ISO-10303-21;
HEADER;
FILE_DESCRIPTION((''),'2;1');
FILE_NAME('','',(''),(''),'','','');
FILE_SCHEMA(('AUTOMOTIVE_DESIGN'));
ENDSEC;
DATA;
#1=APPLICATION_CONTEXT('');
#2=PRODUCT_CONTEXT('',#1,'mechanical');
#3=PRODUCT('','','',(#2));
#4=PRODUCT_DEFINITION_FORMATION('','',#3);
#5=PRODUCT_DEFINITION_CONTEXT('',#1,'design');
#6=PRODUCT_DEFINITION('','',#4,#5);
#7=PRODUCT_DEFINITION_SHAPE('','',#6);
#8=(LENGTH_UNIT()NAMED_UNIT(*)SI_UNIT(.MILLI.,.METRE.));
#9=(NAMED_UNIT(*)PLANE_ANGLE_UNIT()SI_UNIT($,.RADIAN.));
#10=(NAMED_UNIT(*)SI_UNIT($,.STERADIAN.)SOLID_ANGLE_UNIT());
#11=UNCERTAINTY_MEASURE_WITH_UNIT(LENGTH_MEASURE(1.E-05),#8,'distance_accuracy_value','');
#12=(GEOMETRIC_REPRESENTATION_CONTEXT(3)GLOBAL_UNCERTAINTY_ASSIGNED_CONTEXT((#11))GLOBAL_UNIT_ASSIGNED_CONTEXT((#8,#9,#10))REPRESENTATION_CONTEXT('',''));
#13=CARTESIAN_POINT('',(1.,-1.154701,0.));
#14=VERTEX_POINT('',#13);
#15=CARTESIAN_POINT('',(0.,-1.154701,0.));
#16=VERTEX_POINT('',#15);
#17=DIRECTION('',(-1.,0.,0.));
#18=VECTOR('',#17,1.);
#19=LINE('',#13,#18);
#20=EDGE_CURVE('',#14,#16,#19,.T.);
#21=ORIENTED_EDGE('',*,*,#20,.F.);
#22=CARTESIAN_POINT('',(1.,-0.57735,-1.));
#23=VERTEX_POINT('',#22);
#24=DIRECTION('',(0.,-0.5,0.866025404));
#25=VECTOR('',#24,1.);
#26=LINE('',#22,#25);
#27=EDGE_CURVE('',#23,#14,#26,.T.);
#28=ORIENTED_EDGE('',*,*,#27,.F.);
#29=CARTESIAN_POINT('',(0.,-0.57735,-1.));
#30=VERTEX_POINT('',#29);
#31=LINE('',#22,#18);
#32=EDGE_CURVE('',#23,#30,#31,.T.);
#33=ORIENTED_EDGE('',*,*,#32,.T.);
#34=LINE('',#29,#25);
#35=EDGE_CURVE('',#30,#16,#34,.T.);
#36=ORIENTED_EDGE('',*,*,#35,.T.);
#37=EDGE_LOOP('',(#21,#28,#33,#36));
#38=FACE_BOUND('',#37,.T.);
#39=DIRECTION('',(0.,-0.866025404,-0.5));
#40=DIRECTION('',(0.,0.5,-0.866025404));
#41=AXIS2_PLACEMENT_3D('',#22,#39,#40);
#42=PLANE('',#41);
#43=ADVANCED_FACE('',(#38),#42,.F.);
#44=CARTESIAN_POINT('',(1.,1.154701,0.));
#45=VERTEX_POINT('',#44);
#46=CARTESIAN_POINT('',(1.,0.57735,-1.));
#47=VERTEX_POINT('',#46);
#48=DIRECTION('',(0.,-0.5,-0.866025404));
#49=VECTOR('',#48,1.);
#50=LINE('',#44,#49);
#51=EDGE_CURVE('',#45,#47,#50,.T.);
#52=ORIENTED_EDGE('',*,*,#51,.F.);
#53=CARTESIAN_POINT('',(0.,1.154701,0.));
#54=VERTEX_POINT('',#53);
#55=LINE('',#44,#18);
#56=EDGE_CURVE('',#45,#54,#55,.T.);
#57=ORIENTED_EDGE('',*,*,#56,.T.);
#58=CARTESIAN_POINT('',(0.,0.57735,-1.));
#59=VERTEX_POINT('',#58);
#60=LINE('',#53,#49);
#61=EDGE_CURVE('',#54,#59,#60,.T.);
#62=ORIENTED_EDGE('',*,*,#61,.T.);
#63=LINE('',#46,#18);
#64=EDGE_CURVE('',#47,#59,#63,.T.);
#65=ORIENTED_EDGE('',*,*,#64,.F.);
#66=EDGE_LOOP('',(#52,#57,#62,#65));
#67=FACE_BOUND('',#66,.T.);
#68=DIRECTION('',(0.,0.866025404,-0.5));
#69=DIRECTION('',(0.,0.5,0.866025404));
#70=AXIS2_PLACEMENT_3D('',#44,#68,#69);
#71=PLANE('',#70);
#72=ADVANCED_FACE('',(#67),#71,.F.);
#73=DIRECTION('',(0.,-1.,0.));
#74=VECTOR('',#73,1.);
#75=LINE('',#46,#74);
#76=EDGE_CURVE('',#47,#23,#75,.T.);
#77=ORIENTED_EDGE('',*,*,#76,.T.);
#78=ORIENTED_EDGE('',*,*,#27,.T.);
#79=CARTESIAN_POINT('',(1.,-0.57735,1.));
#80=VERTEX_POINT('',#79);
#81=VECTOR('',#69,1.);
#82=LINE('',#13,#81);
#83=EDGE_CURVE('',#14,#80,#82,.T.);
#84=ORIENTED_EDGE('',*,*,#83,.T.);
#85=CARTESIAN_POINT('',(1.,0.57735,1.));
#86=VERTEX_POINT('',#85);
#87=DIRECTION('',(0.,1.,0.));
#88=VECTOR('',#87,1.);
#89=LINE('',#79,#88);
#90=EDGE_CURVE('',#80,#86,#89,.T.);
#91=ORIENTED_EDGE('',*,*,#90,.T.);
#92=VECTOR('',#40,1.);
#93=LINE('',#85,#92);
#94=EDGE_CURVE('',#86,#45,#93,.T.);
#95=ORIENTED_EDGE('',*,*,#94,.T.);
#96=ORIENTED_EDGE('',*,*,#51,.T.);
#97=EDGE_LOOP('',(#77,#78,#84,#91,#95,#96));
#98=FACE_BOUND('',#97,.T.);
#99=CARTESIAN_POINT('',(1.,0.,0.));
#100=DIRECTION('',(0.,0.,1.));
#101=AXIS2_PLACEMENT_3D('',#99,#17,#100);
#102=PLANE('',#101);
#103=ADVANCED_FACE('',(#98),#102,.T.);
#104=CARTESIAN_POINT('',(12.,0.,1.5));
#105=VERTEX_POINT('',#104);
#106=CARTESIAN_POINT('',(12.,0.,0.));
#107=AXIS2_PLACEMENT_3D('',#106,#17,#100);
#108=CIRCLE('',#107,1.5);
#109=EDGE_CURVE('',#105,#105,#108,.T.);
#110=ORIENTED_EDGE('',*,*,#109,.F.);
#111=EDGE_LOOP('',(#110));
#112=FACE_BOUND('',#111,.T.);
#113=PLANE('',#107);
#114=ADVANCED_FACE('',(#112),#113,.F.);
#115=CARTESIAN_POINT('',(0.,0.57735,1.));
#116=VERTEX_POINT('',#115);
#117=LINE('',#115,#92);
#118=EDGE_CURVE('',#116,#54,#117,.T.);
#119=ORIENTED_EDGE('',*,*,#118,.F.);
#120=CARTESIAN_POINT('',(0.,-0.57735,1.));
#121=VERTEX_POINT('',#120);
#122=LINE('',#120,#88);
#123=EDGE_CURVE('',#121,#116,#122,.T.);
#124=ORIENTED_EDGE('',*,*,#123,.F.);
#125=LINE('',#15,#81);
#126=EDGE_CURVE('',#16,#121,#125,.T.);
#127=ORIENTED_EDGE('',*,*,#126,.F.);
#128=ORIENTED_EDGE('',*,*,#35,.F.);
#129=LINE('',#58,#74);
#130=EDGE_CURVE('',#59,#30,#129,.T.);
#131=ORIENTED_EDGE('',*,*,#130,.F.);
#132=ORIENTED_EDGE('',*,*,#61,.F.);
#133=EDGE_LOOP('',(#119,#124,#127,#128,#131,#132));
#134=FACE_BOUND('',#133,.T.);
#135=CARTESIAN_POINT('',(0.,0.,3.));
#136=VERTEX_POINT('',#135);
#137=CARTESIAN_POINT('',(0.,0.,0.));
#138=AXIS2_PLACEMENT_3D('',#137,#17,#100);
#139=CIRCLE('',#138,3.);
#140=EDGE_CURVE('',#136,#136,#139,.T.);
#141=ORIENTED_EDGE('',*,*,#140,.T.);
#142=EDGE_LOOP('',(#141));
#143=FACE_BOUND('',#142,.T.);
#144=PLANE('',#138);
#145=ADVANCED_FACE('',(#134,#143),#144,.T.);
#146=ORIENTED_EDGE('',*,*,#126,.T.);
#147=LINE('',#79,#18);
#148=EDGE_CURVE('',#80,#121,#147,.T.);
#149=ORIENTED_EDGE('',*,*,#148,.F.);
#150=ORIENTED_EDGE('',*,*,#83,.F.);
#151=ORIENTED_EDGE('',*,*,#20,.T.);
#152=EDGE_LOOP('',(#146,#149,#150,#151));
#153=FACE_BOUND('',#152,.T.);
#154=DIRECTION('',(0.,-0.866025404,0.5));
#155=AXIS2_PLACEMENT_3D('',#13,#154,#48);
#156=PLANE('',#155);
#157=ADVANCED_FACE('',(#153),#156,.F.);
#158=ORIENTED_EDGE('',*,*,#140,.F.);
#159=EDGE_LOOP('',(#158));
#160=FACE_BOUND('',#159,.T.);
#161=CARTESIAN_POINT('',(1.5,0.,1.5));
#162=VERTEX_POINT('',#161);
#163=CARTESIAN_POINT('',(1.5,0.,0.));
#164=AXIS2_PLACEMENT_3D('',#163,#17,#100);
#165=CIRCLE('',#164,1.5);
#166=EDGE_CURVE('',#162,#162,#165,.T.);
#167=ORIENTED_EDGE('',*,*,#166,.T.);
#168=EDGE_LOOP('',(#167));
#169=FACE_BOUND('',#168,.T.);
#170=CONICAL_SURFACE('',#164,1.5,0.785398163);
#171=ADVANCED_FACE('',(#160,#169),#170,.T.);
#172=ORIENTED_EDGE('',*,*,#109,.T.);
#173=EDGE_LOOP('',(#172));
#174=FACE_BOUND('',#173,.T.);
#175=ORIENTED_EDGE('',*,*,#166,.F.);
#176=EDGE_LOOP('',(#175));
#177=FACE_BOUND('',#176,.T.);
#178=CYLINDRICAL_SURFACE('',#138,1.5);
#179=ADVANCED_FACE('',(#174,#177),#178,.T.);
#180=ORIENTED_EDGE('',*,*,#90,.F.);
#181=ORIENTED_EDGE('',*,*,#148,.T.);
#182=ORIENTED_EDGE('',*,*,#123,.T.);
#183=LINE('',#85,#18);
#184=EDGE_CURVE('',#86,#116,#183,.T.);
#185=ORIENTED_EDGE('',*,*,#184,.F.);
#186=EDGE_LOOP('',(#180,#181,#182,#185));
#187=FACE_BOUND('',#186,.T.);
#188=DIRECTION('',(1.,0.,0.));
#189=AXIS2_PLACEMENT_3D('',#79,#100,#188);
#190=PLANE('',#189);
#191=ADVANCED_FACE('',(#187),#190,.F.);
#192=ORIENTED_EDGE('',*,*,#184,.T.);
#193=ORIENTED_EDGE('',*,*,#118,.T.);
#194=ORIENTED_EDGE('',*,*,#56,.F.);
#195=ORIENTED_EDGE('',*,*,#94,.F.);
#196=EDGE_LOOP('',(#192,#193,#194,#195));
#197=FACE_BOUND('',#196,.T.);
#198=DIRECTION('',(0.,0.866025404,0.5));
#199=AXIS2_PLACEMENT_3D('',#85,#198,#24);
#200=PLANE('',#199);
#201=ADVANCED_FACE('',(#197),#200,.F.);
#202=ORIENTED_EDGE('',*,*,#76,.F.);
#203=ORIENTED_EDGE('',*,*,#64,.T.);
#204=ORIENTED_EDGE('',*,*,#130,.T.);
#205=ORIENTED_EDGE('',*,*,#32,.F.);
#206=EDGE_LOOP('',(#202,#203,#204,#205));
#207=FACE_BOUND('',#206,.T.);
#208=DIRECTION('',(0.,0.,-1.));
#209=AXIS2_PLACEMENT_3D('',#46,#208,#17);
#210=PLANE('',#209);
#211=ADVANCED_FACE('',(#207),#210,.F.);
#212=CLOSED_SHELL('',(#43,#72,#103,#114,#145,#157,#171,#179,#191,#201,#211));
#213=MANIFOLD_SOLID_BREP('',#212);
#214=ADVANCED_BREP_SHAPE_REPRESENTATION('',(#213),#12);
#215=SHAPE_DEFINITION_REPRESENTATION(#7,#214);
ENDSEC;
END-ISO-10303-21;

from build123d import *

# Parameters (mm, degrees)
CUT_EXTRUDE_1_DEPTH = 1


with BuildPart() as part:
    # 草图1 → 旋转1 (revolve)
    with BuildSketch(Plane.XY, mode=Mode.PRIVATE) as revolve_1_sk:
        Polygon((0, 0), (0, 3), (1.5, 1.5), (12, 1.5), (12, 0), align=None)
    revolve(revolve_1_sk.sketch.rotate(Axis((0, 0, 0), (1, 0, 0)), 90), axis=Axis((0, 0, 0), (1, 0, 0)))

    # 草图2 → 切除-拉伸1 (cut)
    with BuildSketch(Plane.ZY):
        Polygon((0, 1.154700538), (-1, 0.577350269), (-1, -0.577350269), (0, -1.154700538), (1, -0.577350269), (1, 0.577350269), align=None)
    extrude(amount=-CUT_EXTRUDE_1_DEPTH, mode=Mode.SUBTRACT)


solid = part.part
